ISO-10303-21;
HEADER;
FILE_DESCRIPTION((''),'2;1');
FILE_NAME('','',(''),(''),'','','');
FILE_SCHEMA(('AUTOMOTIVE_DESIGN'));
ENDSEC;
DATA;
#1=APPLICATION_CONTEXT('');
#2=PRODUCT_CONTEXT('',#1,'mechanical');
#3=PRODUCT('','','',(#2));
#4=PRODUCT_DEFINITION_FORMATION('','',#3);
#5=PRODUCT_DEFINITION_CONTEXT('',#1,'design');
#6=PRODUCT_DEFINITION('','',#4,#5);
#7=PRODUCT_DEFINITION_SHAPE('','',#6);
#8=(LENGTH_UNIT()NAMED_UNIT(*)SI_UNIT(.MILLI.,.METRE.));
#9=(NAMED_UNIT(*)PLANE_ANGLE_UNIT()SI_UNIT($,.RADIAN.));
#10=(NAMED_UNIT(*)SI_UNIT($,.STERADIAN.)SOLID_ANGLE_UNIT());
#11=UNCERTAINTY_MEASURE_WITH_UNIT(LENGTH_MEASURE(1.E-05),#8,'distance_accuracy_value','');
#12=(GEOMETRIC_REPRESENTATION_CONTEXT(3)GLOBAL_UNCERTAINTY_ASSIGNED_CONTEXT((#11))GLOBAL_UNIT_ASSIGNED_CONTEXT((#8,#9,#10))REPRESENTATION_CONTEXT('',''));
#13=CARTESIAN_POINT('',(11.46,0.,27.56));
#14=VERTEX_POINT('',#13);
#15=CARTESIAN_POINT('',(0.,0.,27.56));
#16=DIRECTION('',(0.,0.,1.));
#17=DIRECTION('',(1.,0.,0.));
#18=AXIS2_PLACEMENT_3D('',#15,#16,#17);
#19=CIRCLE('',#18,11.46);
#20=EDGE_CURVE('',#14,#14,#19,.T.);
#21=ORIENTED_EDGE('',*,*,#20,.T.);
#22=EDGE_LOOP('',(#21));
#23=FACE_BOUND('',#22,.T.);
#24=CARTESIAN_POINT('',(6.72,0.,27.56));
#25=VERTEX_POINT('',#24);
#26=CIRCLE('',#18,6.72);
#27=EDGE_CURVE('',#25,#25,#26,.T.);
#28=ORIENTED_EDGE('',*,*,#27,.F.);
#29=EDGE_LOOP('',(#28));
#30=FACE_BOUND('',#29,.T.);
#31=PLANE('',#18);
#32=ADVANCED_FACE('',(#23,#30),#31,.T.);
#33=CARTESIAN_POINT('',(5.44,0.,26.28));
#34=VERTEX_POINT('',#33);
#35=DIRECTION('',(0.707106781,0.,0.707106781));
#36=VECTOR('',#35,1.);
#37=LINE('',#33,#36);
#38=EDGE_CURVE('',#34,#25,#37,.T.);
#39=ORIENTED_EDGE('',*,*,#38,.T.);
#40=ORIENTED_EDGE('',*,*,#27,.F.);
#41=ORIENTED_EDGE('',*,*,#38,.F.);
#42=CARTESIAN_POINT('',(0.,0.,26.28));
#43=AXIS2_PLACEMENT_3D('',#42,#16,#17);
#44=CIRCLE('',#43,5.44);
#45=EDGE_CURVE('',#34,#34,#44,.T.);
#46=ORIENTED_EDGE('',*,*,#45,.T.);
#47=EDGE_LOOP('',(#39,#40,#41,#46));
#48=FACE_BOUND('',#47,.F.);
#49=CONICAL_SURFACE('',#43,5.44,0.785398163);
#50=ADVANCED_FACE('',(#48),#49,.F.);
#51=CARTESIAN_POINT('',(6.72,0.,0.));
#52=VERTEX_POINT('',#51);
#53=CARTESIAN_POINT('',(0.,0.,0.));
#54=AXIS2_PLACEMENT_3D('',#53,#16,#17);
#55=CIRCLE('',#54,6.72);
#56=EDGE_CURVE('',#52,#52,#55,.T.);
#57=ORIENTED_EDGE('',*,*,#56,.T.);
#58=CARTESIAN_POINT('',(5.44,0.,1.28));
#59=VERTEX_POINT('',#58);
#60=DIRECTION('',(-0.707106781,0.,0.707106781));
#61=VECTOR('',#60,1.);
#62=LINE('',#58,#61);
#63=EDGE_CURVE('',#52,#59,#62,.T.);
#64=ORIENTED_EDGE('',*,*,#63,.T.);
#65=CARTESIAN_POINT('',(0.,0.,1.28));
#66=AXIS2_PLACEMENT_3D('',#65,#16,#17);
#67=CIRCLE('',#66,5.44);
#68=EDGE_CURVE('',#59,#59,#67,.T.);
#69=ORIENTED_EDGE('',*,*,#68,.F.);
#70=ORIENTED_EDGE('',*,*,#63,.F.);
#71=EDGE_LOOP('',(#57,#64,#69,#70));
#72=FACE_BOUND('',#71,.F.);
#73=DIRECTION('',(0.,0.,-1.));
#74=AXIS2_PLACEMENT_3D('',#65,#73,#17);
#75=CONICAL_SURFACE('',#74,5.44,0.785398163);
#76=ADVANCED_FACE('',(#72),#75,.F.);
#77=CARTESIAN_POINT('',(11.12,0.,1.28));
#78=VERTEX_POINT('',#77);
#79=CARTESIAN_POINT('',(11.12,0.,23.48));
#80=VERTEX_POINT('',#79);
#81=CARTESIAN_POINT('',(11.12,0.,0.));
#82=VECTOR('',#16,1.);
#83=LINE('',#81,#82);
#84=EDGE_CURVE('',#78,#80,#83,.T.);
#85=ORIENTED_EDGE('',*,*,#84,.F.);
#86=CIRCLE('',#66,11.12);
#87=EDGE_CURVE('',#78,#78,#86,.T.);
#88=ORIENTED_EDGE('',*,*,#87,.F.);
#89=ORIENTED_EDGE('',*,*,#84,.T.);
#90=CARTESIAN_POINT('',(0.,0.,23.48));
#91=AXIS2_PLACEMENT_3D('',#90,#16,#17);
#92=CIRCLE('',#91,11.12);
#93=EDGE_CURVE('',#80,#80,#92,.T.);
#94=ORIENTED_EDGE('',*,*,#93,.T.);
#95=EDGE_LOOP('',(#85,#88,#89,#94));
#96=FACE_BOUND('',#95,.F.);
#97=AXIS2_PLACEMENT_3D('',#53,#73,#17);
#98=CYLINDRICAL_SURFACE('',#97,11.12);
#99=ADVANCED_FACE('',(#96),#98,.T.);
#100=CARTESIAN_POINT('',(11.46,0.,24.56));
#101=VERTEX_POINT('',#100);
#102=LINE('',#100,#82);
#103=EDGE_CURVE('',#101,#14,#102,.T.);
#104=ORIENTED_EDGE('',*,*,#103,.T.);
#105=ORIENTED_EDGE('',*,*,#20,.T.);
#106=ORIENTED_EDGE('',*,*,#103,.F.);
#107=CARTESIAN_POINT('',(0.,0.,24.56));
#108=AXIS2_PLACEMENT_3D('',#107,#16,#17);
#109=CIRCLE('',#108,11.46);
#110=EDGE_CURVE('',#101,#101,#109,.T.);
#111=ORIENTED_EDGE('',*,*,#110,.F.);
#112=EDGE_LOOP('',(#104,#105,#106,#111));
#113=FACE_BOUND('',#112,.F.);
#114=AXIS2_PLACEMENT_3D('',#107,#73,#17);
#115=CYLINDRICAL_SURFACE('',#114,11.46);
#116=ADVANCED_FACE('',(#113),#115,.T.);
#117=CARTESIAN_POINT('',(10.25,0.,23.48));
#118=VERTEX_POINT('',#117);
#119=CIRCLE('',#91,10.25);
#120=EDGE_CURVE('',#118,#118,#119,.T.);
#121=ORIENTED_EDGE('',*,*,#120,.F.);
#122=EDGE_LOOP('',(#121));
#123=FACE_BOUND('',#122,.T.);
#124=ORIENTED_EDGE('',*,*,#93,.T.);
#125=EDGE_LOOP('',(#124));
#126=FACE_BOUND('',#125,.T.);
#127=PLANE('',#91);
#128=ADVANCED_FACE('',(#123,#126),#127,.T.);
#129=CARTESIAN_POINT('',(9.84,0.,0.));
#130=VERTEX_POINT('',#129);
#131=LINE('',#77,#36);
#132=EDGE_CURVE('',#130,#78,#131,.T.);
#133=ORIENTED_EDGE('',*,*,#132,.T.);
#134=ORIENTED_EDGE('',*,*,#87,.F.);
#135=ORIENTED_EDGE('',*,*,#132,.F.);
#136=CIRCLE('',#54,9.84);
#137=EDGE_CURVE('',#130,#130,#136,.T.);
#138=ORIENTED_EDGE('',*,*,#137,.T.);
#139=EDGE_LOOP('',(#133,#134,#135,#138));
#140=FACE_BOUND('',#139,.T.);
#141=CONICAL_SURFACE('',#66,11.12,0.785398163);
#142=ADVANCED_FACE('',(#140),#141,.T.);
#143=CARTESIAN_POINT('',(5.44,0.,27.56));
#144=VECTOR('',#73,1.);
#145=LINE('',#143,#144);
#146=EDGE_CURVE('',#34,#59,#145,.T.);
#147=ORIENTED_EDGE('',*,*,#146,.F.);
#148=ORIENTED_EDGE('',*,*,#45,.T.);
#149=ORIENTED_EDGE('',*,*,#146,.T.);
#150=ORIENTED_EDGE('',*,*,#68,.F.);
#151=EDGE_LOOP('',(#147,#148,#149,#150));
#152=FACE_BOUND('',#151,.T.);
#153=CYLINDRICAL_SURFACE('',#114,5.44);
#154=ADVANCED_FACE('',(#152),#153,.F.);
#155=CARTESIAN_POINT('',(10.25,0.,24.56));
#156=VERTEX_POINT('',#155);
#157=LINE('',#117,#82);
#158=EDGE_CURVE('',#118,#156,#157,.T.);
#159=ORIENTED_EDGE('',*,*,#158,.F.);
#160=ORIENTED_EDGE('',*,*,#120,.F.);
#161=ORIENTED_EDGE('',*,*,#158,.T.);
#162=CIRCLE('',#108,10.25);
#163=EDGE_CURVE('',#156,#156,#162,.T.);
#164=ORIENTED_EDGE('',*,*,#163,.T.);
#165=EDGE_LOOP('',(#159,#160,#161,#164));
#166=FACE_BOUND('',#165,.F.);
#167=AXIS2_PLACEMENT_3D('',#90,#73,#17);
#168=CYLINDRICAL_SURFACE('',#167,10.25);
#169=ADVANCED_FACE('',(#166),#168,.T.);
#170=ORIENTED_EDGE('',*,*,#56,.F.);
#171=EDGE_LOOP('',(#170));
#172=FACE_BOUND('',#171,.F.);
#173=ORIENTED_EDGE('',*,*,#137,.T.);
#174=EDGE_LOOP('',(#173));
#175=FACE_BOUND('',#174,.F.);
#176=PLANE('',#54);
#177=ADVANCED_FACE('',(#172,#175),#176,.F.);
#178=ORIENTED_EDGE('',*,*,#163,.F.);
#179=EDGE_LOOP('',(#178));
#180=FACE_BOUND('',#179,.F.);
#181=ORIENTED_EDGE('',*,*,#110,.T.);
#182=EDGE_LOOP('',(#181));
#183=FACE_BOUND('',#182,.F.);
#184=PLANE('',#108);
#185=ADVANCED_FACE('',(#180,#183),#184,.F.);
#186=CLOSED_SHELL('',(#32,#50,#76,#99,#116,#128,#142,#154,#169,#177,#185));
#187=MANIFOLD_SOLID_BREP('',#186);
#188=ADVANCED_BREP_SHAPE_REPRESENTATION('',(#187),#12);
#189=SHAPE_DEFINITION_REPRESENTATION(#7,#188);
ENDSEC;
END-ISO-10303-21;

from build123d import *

# Parameters (mm, degrees)
F0_R     = 11.12
F0_R_2   = 5.44
F1_DEPTH = 23.48
F3_R     = 10.25
F3_R_2   = 5.44
F4_DEPTH = 1.08
F6_R     = 11.46
F6_R_2   = 5.44
F7_DEPTH = 3
F8_SIZE  = 1.28
F9_SIZE  = 1.28
F10_SIZE = 1.28


with BuildPart() as f1:
    # F0 (on Top) → F1 (new body)
    with BuildSketch(Plane.XY):
        Circle(F0_R)
        Circle(F0_R_2, mode=Mode.SUBTRACT)
    extrude(amount=F1_DEPTH)

    # F3 (on offset) → F4 (join)
    with BuildSketch(Plane.XY.offset(23.48)):
        Circle(F3_R)
        Circle(F3_R_2, mode=Mode.SUBTRACT)
    extrude(amount=F4_DEPTH)

    # F6 (on offset) → F7 (join)
    with BuildSketch(Plane.XY.offset(24.56)):
        Circle(F6_R)
        Circle(F6_R_2, mode=Mode.SUBTRACT)
    extrude(amount=F7_DEPTH)

    # F8
    f8_edges = [f1.edges().sort_by_distance(p)[0] for p in [
        (-11.12, 0, 0),
    ]]
    chamfer(f8_edges, length=F8_SIZE)

    # F9
    f9_edges = [f1.edges().sort_by_distance(p)[0] for p in [
        (-5.44, 0, 0),
    ]]
    chamfer(f9_edges, length=F9_SIZE)

    # F10
    f10_edges = [f1.edges().sort_by_distance(p)[0] for p in [
        (-5.44, 0, 27.56),
    ]]
    chamfer(f10_edges, length=F10_SIZE)


solid = f1.part
